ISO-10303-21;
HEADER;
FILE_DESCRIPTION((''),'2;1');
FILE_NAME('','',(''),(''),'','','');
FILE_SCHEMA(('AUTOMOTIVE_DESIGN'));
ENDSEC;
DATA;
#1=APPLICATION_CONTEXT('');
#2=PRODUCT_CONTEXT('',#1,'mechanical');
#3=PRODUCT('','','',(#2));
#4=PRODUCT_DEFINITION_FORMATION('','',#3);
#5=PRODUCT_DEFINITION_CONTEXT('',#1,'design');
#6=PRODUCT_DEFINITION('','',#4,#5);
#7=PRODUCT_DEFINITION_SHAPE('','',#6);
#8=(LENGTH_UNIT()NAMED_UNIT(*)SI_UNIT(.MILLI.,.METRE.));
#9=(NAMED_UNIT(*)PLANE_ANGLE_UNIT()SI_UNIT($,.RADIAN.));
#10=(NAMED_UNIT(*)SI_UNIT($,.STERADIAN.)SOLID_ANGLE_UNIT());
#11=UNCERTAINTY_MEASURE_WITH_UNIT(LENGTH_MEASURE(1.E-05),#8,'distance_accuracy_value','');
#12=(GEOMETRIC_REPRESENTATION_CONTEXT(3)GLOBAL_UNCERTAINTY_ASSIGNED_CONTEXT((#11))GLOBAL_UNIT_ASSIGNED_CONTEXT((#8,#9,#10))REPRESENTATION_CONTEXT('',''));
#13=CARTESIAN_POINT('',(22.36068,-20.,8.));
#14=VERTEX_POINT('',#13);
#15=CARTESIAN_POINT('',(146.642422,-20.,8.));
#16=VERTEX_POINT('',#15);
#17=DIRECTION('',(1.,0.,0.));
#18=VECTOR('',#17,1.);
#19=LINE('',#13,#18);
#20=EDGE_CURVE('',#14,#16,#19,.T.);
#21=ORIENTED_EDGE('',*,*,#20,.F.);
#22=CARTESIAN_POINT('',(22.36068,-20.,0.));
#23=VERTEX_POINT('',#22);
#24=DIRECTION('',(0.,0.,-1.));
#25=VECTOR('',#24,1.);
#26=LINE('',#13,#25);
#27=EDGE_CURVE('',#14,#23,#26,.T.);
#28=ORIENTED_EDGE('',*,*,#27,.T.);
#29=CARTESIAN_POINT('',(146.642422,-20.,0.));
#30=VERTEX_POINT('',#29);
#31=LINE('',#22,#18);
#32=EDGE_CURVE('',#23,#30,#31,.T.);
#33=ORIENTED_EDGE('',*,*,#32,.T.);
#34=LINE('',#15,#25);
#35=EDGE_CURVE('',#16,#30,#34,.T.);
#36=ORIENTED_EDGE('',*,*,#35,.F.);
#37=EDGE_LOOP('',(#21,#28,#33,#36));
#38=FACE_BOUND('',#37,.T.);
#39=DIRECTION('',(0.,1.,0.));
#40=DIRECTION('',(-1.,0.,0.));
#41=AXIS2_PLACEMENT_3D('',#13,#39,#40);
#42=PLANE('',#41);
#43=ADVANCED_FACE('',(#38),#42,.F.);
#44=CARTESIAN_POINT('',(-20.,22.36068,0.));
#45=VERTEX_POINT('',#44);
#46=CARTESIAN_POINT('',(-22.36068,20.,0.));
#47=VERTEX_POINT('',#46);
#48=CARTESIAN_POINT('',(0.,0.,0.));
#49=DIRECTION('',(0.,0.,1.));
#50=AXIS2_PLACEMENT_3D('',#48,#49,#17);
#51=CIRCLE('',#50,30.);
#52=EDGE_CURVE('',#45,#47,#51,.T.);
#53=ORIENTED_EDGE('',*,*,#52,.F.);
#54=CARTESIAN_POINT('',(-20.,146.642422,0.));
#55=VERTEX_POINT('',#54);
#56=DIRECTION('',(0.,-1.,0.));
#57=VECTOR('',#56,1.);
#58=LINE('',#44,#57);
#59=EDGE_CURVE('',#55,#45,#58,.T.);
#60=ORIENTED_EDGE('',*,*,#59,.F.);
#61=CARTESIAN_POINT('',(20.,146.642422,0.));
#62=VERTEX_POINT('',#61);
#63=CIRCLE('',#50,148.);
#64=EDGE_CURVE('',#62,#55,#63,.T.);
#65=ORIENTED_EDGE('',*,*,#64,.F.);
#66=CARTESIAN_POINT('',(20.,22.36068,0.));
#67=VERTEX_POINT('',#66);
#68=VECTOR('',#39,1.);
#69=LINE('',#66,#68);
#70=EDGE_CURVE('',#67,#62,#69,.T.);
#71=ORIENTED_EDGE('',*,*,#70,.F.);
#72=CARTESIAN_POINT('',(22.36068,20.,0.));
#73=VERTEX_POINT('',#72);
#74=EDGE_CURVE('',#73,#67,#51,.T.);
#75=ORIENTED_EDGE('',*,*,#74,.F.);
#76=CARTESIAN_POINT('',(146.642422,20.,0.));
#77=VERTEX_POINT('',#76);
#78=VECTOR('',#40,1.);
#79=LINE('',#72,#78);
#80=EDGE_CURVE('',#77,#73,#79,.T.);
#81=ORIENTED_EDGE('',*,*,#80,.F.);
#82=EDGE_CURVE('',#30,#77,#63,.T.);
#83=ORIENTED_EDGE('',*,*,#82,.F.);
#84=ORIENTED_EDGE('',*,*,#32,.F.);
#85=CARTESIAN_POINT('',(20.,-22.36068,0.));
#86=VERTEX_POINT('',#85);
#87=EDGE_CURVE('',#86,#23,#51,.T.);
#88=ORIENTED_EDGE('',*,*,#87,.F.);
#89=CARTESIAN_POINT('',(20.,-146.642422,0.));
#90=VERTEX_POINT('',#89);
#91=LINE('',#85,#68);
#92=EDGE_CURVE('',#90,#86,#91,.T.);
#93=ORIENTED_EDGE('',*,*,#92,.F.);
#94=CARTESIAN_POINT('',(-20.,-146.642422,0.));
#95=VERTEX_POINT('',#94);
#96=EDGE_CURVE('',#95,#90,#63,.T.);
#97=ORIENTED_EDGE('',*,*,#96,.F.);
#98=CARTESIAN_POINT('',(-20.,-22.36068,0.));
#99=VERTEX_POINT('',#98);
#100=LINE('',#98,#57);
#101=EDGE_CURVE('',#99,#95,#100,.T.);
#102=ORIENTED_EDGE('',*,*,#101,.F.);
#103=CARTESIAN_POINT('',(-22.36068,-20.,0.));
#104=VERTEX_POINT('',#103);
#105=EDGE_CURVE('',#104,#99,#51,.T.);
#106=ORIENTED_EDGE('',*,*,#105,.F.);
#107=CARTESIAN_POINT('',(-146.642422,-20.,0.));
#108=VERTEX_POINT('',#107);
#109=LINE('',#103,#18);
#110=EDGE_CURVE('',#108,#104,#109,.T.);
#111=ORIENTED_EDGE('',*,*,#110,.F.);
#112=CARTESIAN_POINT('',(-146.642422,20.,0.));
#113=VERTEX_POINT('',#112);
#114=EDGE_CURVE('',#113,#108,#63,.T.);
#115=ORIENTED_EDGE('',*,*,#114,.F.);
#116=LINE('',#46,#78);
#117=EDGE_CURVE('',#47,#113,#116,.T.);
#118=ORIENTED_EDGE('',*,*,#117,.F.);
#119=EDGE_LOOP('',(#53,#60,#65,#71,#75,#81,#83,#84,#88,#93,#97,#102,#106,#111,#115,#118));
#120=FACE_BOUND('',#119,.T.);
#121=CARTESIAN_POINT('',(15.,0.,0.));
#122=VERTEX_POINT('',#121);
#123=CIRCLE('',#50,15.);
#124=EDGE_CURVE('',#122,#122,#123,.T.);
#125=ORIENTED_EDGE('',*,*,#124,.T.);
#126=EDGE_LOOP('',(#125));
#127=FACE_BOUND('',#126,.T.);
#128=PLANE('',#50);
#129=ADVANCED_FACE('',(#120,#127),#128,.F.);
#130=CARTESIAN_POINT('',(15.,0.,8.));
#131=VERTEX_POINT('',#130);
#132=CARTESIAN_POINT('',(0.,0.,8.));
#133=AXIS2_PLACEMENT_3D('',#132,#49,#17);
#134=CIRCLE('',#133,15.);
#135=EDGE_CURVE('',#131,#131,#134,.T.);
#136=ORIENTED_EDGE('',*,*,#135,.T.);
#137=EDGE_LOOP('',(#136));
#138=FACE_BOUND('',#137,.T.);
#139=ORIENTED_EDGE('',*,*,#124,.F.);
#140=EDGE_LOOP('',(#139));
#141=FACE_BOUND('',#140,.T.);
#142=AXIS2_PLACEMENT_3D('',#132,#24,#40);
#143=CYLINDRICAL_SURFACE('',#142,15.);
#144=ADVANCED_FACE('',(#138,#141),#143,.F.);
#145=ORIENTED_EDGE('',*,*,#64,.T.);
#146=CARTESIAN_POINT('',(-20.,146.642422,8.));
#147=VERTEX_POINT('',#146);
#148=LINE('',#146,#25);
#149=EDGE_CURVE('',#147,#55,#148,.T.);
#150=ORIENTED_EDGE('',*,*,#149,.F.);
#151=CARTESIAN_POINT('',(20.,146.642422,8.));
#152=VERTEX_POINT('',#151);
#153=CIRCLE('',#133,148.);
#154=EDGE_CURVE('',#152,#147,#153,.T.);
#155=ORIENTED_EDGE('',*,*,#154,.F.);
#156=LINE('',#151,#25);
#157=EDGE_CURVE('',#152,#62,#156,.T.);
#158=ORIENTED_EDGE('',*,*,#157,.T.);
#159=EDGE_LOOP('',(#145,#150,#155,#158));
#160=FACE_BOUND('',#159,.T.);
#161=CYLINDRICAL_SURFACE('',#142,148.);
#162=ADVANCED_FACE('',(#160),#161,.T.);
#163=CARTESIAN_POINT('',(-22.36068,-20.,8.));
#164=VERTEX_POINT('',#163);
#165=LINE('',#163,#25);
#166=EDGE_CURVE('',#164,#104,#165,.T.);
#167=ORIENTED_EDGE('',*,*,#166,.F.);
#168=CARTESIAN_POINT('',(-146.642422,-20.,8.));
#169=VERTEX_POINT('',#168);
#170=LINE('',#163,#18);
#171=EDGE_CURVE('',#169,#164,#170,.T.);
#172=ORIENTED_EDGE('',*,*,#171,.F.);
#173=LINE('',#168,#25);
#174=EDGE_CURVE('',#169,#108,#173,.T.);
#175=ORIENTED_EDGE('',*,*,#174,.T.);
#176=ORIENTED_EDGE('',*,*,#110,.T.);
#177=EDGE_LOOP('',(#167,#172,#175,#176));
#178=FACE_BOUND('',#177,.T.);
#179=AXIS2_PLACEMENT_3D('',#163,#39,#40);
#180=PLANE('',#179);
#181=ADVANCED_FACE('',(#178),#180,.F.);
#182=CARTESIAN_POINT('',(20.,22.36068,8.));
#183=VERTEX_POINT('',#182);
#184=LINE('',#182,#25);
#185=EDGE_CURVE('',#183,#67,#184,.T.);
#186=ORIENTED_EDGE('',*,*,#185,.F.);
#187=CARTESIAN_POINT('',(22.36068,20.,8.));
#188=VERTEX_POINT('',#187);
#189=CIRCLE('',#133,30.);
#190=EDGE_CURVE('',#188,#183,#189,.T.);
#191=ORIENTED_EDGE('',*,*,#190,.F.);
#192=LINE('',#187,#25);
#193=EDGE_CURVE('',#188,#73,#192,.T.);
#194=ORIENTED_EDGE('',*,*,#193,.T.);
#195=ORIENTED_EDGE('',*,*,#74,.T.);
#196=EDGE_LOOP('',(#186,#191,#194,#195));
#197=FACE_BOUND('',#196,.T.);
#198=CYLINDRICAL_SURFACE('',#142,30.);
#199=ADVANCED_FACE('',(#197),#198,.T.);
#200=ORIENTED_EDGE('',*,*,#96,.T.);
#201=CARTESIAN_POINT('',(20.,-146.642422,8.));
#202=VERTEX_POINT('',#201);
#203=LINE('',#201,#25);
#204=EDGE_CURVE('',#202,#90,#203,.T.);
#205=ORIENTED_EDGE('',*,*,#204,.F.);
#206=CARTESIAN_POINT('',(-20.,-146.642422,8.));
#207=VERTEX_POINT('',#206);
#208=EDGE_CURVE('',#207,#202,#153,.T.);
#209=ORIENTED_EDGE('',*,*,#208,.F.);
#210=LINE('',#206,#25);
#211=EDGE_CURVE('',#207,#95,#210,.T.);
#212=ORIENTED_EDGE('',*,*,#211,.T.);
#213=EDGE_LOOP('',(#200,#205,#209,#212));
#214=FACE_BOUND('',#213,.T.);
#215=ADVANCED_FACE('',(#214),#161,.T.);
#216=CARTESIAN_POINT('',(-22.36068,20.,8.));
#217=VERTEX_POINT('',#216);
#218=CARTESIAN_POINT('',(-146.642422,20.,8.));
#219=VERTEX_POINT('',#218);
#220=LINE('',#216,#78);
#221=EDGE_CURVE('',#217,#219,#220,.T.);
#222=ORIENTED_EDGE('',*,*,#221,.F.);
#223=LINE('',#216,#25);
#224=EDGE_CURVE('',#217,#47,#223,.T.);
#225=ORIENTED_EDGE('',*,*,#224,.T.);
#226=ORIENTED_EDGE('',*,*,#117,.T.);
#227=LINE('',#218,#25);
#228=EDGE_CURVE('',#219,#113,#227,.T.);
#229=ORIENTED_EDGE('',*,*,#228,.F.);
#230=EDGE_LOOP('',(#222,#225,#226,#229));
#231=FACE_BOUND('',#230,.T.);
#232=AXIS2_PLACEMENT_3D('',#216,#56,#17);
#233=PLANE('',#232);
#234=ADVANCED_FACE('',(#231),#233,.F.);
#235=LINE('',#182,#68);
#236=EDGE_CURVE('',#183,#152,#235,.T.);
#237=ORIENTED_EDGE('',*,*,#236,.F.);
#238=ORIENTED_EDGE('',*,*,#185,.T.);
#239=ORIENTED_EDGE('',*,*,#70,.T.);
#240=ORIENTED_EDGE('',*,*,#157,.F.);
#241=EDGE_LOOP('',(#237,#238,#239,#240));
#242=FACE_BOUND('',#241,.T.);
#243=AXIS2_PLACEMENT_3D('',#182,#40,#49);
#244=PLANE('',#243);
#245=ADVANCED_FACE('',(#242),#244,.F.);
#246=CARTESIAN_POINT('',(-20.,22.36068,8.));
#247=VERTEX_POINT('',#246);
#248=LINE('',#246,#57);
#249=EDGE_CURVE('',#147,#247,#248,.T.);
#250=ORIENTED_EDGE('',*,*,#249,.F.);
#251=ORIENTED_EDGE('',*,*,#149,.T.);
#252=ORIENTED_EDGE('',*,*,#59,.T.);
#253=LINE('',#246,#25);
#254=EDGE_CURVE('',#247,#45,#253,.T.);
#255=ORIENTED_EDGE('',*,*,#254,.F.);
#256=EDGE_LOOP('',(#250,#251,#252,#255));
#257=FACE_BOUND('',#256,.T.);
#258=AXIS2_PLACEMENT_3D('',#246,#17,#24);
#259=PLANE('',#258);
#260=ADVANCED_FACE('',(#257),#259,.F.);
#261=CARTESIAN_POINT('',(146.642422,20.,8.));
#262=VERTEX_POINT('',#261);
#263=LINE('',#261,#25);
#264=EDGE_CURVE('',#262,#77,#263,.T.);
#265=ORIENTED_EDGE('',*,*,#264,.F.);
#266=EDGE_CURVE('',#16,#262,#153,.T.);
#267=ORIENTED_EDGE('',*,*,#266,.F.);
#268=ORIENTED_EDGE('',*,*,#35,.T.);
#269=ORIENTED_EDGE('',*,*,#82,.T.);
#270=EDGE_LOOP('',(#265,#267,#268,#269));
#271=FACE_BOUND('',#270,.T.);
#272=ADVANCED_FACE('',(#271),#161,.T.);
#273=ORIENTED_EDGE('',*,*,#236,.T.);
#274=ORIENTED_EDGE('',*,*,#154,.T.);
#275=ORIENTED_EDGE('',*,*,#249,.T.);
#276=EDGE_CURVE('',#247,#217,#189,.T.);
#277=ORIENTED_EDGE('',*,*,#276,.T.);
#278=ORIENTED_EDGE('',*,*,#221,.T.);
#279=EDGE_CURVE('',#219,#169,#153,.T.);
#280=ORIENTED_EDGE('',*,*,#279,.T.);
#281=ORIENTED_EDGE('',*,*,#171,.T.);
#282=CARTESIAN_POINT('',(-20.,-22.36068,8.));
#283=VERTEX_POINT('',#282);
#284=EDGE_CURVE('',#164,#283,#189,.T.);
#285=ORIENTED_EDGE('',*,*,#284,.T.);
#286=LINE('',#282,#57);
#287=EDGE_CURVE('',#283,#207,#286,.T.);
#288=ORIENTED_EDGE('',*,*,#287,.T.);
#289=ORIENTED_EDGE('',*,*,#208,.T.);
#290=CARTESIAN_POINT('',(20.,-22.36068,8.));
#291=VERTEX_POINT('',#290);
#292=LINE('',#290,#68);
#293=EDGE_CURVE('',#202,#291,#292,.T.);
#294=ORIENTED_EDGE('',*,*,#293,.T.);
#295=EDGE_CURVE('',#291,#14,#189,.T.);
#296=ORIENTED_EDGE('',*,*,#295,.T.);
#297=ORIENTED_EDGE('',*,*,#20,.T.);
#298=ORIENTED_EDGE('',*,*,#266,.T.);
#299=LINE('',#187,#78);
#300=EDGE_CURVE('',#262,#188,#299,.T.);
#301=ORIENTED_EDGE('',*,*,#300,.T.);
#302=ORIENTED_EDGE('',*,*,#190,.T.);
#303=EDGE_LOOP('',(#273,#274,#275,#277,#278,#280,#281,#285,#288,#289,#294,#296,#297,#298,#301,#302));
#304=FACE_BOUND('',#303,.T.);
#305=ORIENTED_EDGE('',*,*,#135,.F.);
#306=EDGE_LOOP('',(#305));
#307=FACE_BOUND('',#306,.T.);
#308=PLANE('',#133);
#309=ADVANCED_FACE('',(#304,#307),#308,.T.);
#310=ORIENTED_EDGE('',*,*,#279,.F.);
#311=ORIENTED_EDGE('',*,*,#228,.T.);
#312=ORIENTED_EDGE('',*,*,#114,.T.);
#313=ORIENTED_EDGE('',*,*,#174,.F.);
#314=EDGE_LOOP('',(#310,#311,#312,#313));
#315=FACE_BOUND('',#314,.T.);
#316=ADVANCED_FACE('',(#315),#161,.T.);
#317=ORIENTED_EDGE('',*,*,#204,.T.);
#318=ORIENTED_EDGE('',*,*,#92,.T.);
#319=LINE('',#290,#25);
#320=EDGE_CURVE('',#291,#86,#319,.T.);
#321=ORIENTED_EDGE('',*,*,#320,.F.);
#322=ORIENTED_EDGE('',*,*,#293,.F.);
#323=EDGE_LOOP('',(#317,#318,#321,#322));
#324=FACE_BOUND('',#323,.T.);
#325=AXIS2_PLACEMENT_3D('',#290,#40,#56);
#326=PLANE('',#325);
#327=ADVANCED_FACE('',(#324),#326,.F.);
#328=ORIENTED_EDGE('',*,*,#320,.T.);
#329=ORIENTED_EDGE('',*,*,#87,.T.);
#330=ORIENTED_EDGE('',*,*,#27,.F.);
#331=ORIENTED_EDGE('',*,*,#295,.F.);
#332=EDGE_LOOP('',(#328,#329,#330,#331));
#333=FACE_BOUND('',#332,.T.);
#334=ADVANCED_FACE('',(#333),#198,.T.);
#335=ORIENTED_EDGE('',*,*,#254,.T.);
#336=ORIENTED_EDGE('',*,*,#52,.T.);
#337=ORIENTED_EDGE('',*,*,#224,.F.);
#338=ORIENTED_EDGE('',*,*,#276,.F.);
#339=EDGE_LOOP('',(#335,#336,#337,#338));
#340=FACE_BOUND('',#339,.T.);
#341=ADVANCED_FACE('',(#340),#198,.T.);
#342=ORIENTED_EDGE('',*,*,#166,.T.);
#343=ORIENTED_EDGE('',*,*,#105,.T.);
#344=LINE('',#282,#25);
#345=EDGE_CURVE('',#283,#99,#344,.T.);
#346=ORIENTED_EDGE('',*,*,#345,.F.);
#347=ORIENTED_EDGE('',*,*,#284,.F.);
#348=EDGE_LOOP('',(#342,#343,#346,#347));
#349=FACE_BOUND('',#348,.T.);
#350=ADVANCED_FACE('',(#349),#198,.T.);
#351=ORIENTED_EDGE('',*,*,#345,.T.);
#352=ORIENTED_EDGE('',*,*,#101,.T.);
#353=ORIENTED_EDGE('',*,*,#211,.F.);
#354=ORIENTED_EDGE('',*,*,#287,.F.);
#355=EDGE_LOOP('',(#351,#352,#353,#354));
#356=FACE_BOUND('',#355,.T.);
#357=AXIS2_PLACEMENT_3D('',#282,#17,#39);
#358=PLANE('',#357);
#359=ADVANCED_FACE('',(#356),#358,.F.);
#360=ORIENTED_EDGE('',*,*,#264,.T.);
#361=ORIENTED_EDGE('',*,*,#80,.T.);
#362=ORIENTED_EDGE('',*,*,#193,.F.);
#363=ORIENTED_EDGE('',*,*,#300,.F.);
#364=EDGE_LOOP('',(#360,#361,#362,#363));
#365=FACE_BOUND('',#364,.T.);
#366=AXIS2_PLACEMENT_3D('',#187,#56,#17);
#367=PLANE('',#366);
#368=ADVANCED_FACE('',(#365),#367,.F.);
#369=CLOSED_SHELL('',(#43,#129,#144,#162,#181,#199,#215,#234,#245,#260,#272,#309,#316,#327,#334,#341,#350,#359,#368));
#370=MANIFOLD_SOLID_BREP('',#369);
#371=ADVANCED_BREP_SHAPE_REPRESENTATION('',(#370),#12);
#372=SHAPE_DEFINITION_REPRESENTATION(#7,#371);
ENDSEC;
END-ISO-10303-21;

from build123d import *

# Parameters (mm, degrees)
SKETCH1_R           = 15
BOSS_EXTRUDE1_DEPTH = 8


with BuildPart() as part:
    # Sketch1 → Boss-Extrude1 (new body)
    with BuildSketch(Plane.XY):
        with BuildLine():
            Line((20, 22.360679775), (20, 146.642422239))
            ThreePointArc((20, 146.642422239), (0, 148), (-20, 146.642422239))
            Line((-20, 146.642422239), (-20, 22.360679775))
            ThreePointArc((-20, 22.360679775), (-21.213203436, 21.213203436), (-22.360679775, 20))
            Line((-22.360679775, 20), (-146.642422239, 20))
            ThreePointArc((-146.642422239, 20), (-148, 0), (-146.642422239, -20))
            Line((-146.642422239, -20), (-22.360679775, -20))
            ThreePointArc((-22.360679775, -20), (-21.213203436, -21.213203436), (-20, -22.360679775))
            Line((-20, -22.360679775), (-20, -146.642422239))
            ThreePointArc((-20, -146.642422239), (0, -148), (20, -146.642422239))
            Line((20, -146.642422239), (20, -22.360679775))
            ThreePointArc((20, -22.360679775), (21.213203436, -21.213203436), (22.360679775, -20))
            Line((22.360679775, -20), (146.642422239, -20))
            ThreePointArc((146.642422239, -20), (148, 0), (146.642422239, 20))
            Line((146.642422239, 20), (22.360679775, 20))
            ThreePointArc((22.360679775, 20), (21.213203436, 21.213203436), (20, 22.360679775))
        make_face()
        Circle(SKETCH1_R, mode=Mode.SUBTRACT)
    extrude(amount=BOSS_EXTRUDE1_DEPTH)


solid = part.part
